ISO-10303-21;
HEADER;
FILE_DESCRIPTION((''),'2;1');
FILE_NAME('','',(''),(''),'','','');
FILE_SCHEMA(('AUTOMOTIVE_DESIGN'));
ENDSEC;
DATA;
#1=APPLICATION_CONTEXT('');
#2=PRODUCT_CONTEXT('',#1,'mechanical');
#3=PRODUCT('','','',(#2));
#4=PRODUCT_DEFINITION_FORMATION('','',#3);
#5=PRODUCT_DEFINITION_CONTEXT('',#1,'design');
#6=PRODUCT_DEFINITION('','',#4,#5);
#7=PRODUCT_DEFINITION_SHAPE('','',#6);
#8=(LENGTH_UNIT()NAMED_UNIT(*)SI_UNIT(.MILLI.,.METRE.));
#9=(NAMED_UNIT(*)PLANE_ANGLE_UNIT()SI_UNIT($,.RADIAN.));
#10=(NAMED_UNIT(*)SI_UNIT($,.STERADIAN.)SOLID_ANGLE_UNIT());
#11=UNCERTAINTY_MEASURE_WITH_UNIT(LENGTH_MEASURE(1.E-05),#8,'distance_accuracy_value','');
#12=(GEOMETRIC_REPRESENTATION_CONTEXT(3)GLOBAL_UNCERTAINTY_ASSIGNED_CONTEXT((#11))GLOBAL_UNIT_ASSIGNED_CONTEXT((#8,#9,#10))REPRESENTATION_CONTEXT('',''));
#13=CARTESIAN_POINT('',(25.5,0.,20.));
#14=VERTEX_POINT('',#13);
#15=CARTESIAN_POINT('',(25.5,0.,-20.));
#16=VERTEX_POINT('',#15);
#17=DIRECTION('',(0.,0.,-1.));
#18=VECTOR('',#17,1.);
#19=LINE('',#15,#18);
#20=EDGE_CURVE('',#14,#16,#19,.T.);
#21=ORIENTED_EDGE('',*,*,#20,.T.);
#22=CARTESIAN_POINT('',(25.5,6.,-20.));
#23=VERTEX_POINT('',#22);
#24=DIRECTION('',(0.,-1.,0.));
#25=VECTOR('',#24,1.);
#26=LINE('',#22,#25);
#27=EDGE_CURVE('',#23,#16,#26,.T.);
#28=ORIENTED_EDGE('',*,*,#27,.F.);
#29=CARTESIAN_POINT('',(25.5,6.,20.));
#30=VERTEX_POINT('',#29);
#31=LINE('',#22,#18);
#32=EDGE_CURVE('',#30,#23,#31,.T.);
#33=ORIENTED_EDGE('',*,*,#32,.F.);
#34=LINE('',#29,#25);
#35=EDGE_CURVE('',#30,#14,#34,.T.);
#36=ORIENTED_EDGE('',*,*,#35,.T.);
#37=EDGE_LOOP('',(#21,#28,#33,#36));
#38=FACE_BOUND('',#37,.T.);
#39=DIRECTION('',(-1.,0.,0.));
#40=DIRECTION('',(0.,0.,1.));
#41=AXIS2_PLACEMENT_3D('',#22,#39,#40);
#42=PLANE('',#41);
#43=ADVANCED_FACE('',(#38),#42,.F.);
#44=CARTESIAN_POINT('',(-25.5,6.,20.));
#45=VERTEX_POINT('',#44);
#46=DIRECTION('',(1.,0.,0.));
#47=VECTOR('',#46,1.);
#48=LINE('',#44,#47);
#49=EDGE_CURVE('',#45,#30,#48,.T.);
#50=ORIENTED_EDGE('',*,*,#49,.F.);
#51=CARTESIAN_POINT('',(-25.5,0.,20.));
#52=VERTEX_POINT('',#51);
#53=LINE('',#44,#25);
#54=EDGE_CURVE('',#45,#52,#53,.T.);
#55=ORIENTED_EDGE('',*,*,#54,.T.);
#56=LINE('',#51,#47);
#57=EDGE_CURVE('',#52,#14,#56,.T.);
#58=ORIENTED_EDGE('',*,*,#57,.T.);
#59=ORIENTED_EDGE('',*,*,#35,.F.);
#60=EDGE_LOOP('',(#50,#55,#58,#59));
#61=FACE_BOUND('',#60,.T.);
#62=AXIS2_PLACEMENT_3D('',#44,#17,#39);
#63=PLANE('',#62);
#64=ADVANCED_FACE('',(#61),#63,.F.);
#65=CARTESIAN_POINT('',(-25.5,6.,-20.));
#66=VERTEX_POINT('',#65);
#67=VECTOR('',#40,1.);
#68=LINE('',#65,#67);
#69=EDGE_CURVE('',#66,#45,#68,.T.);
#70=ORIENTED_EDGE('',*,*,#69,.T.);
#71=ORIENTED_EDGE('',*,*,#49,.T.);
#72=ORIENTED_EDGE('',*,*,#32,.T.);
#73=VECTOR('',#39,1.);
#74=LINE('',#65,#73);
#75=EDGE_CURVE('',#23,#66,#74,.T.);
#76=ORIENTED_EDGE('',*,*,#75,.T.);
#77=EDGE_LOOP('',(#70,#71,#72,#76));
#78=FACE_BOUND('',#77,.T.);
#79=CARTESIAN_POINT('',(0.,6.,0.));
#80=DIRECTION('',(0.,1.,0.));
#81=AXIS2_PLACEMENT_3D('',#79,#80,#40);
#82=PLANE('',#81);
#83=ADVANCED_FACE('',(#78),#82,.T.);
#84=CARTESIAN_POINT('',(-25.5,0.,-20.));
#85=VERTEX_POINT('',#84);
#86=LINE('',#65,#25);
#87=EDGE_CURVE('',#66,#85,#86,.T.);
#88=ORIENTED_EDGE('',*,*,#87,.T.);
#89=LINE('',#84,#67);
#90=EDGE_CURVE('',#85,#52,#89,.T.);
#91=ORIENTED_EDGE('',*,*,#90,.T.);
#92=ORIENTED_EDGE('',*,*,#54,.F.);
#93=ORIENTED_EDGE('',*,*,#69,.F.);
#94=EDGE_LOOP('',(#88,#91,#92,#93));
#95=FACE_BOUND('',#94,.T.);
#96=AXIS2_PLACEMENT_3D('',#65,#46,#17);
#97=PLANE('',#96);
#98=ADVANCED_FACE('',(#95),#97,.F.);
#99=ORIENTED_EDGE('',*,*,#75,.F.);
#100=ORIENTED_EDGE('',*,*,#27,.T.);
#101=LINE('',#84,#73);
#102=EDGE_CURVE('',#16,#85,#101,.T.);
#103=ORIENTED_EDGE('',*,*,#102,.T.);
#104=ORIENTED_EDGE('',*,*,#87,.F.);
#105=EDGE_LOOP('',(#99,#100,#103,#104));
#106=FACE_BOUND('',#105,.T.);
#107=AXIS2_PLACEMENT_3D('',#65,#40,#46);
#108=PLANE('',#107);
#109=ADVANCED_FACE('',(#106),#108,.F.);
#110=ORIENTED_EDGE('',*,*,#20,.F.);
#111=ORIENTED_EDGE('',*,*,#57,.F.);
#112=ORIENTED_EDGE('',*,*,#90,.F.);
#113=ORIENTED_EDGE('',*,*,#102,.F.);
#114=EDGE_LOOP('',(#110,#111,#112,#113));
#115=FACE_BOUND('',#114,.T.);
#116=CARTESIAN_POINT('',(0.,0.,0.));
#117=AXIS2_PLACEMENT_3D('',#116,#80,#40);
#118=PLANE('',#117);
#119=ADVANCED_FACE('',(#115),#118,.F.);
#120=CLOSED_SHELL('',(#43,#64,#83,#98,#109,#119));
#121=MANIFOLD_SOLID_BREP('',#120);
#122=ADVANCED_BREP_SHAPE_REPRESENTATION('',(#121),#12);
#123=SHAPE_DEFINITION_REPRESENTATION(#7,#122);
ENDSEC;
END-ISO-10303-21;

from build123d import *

# Parameters (mm, degrees)
SKETCH_1_W      = 51
SKETCH_1_H      = 40
EXTRUDE_1_DEPTH = 6


with BuildPart() as part:
    # 草图1 → 凸台-拉伸1 (new body)
    with BuildSketch(Plane(origin=(0, 0, 0), x_dir=(1, 0, 0), z_dir=(0, 1, 0))):
        Rectangle(SKETCH_1_W, SKETCH_1_H)
    extrude(amount=EXTRUDE_1_DEPTH)


solid = part.part
